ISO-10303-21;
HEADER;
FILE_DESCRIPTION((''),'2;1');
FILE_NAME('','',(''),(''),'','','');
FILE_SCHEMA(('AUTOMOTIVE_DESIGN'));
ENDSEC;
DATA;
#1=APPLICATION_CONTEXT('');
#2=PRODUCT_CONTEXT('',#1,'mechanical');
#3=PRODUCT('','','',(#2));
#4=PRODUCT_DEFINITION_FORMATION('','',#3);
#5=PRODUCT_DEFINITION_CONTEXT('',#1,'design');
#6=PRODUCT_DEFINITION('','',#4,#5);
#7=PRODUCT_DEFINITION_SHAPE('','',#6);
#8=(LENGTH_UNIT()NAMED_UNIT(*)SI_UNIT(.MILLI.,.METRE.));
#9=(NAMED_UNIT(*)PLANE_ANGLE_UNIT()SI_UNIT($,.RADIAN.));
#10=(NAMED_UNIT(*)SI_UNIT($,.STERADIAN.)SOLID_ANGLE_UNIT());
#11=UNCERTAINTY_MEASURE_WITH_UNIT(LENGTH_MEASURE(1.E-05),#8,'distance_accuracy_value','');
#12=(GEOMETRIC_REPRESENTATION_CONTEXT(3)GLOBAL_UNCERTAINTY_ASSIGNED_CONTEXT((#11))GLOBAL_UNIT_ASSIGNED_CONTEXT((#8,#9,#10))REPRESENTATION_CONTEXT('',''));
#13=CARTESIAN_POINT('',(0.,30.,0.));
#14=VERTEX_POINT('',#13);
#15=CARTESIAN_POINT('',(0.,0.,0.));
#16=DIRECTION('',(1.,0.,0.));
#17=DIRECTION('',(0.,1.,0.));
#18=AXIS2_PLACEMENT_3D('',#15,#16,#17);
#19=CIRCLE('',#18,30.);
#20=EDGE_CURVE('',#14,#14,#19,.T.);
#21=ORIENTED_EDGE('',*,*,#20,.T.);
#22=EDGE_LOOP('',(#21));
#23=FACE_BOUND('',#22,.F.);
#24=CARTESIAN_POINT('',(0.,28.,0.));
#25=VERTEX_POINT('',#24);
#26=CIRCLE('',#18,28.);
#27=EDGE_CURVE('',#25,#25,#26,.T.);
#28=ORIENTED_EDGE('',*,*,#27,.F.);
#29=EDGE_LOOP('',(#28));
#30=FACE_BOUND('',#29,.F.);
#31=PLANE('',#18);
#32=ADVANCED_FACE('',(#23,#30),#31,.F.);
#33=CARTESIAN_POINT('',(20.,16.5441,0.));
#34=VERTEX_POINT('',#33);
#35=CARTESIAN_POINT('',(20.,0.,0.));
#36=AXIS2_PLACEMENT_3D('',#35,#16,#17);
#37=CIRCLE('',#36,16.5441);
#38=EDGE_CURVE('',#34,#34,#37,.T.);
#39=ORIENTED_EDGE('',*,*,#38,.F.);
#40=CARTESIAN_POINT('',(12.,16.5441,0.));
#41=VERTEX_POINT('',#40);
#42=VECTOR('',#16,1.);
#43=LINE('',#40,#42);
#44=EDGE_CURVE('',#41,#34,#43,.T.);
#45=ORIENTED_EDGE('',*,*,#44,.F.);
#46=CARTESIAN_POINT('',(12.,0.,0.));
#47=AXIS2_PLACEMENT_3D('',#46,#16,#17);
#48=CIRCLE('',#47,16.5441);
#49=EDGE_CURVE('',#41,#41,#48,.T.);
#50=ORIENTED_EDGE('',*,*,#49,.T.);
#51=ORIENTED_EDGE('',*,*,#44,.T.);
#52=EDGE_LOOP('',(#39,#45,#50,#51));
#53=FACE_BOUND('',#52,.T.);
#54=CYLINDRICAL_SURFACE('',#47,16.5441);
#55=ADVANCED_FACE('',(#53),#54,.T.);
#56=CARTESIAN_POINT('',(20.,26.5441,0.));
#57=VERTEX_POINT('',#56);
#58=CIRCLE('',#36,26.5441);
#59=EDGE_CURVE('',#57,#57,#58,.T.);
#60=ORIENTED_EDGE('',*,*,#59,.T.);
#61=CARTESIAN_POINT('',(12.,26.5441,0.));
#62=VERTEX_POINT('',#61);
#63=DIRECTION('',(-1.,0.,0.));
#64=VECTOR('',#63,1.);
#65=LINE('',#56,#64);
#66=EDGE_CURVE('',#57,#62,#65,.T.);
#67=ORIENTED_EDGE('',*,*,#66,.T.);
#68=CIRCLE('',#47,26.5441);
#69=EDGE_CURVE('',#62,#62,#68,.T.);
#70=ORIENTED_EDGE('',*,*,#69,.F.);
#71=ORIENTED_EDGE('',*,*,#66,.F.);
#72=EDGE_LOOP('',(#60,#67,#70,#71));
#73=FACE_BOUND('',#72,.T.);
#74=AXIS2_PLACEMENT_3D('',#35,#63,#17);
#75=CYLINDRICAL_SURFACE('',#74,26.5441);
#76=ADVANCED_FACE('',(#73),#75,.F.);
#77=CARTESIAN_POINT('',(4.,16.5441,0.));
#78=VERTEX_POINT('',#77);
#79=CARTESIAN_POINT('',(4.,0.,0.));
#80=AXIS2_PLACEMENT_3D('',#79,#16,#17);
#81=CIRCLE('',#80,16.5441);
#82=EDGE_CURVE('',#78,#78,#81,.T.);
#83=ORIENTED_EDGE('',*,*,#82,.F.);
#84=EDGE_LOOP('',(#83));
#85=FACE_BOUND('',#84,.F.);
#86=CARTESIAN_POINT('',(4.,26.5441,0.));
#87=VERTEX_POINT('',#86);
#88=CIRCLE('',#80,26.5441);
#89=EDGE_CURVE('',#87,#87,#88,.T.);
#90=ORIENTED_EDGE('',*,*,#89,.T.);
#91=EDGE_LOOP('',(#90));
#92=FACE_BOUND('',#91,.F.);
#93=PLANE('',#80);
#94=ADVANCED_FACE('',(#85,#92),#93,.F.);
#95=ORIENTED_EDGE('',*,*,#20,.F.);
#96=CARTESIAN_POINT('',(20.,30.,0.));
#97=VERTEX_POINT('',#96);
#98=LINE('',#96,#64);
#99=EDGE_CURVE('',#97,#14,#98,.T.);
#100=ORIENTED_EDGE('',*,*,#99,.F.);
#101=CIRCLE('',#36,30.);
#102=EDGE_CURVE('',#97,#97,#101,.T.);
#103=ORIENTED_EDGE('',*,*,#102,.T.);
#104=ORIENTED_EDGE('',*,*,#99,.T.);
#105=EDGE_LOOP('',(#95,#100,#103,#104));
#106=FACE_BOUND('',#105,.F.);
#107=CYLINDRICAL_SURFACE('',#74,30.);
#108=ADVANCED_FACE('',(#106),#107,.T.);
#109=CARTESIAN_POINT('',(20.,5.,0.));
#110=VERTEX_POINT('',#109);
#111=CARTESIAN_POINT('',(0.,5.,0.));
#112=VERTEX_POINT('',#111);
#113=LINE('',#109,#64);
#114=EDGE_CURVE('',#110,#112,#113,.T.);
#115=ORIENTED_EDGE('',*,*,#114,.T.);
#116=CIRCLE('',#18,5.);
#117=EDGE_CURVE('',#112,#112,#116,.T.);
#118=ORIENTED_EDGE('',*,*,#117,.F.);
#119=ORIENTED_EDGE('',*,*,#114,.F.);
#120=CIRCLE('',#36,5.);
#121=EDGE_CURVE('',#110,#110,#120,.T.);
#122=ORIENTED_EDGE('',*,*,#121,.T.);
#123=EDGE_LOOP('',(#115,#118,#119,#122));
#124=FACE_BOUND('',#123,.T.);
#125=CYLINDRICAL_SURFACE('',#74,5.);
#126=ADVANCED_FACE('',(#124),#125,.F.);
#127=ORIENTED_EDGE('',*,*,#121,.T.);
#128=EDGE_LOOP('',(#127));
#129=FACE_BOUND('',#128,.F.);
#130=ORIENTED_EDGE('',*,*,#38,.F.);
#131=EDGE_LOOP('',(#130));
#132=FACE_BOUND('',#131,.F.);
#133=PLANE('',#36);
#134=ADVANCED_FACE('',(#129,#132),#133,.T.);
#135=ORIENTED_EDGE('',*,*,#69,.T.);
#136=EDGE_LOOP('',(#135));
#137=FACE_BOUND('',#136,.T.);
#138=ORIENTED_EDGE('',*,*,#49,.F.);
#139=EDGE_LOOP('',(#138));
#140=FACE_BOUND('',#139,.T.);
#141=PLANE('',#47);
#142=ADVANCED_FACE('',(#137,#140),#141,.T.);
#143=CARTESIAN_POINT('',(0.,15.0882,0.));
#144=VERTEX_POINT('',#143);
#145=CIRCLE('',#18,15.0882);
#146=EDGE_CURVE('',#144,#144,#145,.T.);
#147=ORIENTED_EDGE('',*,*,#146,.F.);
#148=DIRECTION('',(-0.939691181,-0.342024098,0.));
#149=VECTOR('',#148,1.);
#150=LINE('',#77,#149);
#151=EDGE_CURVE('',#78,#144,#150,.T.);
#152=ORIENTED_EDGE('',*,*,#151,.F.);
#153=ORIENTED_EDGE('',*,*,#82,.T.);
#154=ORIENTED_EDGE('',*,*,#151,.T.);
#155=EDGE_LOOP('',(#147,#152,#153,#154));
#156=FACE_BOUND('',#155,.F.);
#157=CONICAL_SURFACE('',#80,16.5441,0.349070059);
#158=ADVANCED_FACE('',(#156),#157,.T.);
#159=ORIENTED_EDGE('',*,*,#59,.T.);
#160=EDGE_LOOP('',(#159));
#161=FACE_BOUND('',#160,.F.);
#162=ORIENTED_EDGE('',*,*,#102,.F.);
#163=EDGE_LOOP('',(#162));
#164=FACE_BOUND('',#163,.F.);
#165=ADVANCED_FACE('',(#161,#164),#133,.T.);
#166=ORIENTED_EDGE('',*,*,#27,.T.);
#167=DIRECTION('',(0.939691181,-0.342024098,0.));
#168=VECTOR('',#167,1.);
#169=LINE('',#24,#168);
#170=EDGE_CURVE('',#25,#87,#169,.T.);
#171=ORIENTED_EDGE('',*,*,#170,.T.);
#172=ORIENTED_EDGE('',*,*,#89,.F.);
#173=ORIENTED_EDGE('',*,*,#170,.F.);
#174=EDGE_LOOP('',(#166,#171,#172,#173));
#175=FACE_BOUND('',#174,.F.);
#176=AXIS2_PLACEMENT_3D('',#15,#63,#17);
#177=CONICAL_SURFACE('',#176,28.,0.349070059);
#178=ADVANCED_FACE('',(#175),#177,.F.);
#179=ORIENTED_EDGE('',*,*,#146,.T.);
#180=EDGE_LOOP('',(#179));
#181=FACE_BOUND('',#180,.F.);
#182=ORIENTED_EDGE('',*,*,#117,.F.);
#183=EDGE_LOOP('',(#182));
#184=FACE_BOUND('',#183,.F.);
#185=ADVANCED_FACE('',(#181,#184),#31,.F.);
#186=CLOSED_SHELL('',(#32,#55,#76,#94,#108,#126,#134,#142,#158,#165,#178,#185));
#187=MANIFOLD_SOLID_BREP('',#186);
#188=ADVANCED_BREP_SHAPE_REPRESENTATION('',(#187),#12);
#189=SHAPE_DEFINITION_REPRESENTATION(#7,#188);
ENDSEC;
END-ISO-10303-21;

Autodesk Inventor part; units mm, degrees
ref_plane "YZ Plane" through (0, 0, 0) normal (1, 0, 0) x (0, 1, 0)
ref_plane "XZ Plane" through (0, 0, 0) normal (0, 1, 0) x (-1, 0, 0)
ref_plane "XY Plane" through (0, 0, 0) normal (0, 0, 1) x (1, 0, 0)
sketch "Эскиз1" plane through (0, 0, 0) normal (0, 0, 1) x (1, 0, 0)
  line L0 (0, 0) -> (20, 0)
  line L1 (20, 0) -> (20, 30)
  line L2 (20, 30) -> (0, 30)
  line L3 (0, 30) -> (0, 0)
  dimension "d0" = 20
  dimension "d1" = 30
revolve "Вращение1" add sketch "Эскиз1" angle 360 about axis through (0, 0, 0) along (1, 0, 0)
sketch "Эскиз2" plane through (0, 0, 0) normal (0, 0, 1) x (1, 0, 0)
  line L0 (0, -30) -> (0, 30) projected
  line L1 (0, 15.0882) -> (0, 28)
  line L2 (0, 28) -> (4, 26.5441)
  line L3 (4, 26.5441) -> (4, 16.5441)
  line L4 (4, 16.5441) -> (0, 15.0882)
  line L5 (20, -30) -> (20, 30) projected
  line L6 (20, 26.5441) -> (12, 26.5441)
  line L7 (12, 26.5441) -> (12, 16.5441)
  line L8 (12, 16.5441) -> (20, 16.5441)
  line L9 (20, 16.5441) -> (20, 26.5441)
  line L10 (0, 0) -> (20, 0)
  line L11 (20, 0) -> (20, 5)
  line L12 (20, 5) -> (0, 5)
  line L13 (0, 5) -> (0, 0)
  point P0 (0, 5)
  dimension "d3" = 10
  dimension "d4" = 8
  dimension "d5" = 10
  dimension "d6" = 2
  dimension "d7" = 70
  dimension "d8" = 4
revolve "Вращение2" cut sketch "Эскиз2" angle 360 about axis through (0, 0, 0) along (1, 0, 0)
properties part number "711145"
